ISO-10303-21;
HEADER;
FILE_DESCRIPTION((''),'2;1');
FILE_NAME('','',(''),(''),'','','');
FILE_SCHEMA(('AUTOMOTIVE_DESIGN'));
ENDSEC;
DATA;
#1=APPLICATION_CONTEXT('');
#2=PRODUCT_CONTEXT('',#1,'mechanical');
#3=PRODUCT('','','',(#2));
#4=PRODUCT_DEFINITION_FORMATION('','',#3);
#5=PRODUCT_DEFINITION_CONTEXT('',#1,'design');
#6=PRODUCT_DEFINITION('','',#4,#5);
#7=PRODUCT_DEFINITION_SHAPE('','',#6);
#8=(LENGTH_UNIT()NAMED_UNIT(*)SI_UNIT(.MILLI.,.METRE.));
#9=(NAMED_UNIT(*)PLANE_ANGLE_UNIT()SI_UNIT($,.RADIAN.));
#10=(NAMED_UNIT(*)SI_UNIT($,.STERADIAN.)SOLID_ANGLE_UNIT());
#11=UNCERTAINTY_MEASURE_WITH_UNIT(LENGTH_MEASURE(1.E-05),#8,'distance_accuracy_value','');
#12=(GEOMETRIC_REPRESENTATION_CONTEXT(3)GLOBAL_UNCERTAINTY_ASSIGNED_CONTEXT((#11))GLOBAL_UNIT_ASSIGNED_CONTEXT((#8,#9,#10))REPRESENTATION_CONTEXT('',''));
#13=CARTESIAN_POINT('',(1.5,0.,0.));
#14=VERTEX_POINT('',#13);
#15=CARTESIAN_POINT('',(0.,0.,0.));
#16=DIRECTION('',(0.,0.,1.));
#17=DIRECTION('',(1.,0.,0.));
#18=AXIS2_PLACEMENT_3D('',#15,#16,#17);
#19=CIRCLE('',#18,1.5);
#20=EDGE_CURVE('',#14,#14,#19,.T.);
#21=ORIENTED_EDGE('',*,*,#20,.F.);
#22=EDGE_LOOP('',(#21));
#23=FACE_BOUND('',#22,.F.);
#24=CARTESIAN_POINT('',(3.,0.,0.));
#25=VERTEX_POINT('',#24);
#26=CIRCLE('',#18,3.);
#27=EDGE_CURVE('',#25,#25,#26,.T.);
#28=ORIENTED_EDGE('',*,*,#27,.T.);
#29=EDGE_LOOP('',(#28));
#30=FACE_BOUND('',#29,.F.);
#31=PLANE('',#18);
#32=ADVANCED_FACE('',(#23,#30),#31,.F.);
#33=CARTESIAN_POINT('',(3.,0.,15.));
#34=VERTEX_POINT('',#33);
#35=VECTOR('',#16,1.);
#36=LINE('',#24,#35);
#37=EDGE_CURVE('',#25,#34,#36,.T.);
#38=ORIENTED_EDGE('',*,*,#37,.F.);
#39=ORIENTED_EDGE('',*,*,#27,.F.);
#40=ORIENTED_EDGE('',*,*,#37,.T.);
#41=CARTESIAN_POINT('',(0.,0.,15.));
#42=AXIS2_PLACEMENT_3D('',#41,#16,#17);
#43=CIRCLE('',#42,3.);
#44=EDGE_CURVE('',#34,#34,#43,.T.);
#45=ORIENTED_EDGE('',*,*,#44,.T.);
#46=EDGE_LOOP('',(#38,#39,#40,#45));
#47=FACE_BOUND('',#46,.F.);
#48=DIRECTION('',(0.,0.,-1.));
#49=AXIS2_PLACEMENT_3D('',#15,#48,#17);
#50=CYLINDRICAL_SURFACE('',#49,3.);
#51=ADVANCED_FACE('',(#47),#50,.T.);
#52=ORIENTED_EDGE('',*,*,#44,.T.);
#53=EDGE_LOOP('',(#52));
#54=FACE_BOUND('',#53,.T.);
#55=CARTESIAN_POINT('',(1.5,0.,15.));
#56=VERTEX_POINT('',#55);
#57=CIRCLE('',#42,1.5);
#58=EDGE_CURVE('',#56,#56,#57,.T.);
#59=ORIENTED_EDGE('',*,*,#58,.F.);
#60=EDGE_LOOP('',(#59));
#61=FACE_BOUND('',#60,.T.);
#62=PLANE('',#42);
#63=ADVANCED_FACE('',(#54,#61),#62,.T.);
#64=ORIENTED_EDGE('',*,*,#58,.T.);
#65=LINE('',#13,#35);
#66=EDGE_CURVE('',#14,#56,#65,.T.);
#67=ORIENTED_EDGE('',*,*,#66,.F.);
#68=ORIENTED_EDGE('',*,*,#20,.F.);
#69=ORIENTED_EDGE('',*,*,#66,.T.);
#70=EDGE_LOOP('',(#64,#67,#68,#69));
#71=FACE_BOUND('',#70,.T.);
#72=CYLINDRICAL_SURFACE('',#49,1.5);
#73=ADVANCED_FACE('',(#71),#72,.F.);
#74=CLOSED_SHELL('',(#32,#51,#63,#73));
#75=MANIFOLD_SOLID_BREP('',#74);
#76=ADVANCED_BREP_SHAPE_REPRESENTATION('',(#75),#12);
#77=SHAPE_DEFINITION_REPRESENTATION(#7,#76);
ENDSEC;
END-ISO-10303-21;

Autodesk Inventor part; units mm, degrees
ref_plane "YZ Plane" through (0, 0, 0) normal (1, 0, 0) x (0, 1, 0)
ref_plane "XZ Plane" through (0, 0, 0) normal (0, 1, 0) x (-1, 0, 0)
ref_plane "XY Plane" through (0, 0, 0) normal (0, 0, 1) x (1, 0, 0)
sketch "スケッチ1" plane through (0, 0, 0) normal (0, 0, 1) x (1, 0, 0)
  circle A0 centre (0, 0) radius 3
  circle A1 centre (0, 0) radius 1.5
  dimension "d0" = 6
  dimension "d1" = 3
extrude "押し出し1" add sketch "スケッチ1" along normal blind 15
properties part number "スペーサーm3-15　簡易筒型" material "アルミニウム 2014-T4"
